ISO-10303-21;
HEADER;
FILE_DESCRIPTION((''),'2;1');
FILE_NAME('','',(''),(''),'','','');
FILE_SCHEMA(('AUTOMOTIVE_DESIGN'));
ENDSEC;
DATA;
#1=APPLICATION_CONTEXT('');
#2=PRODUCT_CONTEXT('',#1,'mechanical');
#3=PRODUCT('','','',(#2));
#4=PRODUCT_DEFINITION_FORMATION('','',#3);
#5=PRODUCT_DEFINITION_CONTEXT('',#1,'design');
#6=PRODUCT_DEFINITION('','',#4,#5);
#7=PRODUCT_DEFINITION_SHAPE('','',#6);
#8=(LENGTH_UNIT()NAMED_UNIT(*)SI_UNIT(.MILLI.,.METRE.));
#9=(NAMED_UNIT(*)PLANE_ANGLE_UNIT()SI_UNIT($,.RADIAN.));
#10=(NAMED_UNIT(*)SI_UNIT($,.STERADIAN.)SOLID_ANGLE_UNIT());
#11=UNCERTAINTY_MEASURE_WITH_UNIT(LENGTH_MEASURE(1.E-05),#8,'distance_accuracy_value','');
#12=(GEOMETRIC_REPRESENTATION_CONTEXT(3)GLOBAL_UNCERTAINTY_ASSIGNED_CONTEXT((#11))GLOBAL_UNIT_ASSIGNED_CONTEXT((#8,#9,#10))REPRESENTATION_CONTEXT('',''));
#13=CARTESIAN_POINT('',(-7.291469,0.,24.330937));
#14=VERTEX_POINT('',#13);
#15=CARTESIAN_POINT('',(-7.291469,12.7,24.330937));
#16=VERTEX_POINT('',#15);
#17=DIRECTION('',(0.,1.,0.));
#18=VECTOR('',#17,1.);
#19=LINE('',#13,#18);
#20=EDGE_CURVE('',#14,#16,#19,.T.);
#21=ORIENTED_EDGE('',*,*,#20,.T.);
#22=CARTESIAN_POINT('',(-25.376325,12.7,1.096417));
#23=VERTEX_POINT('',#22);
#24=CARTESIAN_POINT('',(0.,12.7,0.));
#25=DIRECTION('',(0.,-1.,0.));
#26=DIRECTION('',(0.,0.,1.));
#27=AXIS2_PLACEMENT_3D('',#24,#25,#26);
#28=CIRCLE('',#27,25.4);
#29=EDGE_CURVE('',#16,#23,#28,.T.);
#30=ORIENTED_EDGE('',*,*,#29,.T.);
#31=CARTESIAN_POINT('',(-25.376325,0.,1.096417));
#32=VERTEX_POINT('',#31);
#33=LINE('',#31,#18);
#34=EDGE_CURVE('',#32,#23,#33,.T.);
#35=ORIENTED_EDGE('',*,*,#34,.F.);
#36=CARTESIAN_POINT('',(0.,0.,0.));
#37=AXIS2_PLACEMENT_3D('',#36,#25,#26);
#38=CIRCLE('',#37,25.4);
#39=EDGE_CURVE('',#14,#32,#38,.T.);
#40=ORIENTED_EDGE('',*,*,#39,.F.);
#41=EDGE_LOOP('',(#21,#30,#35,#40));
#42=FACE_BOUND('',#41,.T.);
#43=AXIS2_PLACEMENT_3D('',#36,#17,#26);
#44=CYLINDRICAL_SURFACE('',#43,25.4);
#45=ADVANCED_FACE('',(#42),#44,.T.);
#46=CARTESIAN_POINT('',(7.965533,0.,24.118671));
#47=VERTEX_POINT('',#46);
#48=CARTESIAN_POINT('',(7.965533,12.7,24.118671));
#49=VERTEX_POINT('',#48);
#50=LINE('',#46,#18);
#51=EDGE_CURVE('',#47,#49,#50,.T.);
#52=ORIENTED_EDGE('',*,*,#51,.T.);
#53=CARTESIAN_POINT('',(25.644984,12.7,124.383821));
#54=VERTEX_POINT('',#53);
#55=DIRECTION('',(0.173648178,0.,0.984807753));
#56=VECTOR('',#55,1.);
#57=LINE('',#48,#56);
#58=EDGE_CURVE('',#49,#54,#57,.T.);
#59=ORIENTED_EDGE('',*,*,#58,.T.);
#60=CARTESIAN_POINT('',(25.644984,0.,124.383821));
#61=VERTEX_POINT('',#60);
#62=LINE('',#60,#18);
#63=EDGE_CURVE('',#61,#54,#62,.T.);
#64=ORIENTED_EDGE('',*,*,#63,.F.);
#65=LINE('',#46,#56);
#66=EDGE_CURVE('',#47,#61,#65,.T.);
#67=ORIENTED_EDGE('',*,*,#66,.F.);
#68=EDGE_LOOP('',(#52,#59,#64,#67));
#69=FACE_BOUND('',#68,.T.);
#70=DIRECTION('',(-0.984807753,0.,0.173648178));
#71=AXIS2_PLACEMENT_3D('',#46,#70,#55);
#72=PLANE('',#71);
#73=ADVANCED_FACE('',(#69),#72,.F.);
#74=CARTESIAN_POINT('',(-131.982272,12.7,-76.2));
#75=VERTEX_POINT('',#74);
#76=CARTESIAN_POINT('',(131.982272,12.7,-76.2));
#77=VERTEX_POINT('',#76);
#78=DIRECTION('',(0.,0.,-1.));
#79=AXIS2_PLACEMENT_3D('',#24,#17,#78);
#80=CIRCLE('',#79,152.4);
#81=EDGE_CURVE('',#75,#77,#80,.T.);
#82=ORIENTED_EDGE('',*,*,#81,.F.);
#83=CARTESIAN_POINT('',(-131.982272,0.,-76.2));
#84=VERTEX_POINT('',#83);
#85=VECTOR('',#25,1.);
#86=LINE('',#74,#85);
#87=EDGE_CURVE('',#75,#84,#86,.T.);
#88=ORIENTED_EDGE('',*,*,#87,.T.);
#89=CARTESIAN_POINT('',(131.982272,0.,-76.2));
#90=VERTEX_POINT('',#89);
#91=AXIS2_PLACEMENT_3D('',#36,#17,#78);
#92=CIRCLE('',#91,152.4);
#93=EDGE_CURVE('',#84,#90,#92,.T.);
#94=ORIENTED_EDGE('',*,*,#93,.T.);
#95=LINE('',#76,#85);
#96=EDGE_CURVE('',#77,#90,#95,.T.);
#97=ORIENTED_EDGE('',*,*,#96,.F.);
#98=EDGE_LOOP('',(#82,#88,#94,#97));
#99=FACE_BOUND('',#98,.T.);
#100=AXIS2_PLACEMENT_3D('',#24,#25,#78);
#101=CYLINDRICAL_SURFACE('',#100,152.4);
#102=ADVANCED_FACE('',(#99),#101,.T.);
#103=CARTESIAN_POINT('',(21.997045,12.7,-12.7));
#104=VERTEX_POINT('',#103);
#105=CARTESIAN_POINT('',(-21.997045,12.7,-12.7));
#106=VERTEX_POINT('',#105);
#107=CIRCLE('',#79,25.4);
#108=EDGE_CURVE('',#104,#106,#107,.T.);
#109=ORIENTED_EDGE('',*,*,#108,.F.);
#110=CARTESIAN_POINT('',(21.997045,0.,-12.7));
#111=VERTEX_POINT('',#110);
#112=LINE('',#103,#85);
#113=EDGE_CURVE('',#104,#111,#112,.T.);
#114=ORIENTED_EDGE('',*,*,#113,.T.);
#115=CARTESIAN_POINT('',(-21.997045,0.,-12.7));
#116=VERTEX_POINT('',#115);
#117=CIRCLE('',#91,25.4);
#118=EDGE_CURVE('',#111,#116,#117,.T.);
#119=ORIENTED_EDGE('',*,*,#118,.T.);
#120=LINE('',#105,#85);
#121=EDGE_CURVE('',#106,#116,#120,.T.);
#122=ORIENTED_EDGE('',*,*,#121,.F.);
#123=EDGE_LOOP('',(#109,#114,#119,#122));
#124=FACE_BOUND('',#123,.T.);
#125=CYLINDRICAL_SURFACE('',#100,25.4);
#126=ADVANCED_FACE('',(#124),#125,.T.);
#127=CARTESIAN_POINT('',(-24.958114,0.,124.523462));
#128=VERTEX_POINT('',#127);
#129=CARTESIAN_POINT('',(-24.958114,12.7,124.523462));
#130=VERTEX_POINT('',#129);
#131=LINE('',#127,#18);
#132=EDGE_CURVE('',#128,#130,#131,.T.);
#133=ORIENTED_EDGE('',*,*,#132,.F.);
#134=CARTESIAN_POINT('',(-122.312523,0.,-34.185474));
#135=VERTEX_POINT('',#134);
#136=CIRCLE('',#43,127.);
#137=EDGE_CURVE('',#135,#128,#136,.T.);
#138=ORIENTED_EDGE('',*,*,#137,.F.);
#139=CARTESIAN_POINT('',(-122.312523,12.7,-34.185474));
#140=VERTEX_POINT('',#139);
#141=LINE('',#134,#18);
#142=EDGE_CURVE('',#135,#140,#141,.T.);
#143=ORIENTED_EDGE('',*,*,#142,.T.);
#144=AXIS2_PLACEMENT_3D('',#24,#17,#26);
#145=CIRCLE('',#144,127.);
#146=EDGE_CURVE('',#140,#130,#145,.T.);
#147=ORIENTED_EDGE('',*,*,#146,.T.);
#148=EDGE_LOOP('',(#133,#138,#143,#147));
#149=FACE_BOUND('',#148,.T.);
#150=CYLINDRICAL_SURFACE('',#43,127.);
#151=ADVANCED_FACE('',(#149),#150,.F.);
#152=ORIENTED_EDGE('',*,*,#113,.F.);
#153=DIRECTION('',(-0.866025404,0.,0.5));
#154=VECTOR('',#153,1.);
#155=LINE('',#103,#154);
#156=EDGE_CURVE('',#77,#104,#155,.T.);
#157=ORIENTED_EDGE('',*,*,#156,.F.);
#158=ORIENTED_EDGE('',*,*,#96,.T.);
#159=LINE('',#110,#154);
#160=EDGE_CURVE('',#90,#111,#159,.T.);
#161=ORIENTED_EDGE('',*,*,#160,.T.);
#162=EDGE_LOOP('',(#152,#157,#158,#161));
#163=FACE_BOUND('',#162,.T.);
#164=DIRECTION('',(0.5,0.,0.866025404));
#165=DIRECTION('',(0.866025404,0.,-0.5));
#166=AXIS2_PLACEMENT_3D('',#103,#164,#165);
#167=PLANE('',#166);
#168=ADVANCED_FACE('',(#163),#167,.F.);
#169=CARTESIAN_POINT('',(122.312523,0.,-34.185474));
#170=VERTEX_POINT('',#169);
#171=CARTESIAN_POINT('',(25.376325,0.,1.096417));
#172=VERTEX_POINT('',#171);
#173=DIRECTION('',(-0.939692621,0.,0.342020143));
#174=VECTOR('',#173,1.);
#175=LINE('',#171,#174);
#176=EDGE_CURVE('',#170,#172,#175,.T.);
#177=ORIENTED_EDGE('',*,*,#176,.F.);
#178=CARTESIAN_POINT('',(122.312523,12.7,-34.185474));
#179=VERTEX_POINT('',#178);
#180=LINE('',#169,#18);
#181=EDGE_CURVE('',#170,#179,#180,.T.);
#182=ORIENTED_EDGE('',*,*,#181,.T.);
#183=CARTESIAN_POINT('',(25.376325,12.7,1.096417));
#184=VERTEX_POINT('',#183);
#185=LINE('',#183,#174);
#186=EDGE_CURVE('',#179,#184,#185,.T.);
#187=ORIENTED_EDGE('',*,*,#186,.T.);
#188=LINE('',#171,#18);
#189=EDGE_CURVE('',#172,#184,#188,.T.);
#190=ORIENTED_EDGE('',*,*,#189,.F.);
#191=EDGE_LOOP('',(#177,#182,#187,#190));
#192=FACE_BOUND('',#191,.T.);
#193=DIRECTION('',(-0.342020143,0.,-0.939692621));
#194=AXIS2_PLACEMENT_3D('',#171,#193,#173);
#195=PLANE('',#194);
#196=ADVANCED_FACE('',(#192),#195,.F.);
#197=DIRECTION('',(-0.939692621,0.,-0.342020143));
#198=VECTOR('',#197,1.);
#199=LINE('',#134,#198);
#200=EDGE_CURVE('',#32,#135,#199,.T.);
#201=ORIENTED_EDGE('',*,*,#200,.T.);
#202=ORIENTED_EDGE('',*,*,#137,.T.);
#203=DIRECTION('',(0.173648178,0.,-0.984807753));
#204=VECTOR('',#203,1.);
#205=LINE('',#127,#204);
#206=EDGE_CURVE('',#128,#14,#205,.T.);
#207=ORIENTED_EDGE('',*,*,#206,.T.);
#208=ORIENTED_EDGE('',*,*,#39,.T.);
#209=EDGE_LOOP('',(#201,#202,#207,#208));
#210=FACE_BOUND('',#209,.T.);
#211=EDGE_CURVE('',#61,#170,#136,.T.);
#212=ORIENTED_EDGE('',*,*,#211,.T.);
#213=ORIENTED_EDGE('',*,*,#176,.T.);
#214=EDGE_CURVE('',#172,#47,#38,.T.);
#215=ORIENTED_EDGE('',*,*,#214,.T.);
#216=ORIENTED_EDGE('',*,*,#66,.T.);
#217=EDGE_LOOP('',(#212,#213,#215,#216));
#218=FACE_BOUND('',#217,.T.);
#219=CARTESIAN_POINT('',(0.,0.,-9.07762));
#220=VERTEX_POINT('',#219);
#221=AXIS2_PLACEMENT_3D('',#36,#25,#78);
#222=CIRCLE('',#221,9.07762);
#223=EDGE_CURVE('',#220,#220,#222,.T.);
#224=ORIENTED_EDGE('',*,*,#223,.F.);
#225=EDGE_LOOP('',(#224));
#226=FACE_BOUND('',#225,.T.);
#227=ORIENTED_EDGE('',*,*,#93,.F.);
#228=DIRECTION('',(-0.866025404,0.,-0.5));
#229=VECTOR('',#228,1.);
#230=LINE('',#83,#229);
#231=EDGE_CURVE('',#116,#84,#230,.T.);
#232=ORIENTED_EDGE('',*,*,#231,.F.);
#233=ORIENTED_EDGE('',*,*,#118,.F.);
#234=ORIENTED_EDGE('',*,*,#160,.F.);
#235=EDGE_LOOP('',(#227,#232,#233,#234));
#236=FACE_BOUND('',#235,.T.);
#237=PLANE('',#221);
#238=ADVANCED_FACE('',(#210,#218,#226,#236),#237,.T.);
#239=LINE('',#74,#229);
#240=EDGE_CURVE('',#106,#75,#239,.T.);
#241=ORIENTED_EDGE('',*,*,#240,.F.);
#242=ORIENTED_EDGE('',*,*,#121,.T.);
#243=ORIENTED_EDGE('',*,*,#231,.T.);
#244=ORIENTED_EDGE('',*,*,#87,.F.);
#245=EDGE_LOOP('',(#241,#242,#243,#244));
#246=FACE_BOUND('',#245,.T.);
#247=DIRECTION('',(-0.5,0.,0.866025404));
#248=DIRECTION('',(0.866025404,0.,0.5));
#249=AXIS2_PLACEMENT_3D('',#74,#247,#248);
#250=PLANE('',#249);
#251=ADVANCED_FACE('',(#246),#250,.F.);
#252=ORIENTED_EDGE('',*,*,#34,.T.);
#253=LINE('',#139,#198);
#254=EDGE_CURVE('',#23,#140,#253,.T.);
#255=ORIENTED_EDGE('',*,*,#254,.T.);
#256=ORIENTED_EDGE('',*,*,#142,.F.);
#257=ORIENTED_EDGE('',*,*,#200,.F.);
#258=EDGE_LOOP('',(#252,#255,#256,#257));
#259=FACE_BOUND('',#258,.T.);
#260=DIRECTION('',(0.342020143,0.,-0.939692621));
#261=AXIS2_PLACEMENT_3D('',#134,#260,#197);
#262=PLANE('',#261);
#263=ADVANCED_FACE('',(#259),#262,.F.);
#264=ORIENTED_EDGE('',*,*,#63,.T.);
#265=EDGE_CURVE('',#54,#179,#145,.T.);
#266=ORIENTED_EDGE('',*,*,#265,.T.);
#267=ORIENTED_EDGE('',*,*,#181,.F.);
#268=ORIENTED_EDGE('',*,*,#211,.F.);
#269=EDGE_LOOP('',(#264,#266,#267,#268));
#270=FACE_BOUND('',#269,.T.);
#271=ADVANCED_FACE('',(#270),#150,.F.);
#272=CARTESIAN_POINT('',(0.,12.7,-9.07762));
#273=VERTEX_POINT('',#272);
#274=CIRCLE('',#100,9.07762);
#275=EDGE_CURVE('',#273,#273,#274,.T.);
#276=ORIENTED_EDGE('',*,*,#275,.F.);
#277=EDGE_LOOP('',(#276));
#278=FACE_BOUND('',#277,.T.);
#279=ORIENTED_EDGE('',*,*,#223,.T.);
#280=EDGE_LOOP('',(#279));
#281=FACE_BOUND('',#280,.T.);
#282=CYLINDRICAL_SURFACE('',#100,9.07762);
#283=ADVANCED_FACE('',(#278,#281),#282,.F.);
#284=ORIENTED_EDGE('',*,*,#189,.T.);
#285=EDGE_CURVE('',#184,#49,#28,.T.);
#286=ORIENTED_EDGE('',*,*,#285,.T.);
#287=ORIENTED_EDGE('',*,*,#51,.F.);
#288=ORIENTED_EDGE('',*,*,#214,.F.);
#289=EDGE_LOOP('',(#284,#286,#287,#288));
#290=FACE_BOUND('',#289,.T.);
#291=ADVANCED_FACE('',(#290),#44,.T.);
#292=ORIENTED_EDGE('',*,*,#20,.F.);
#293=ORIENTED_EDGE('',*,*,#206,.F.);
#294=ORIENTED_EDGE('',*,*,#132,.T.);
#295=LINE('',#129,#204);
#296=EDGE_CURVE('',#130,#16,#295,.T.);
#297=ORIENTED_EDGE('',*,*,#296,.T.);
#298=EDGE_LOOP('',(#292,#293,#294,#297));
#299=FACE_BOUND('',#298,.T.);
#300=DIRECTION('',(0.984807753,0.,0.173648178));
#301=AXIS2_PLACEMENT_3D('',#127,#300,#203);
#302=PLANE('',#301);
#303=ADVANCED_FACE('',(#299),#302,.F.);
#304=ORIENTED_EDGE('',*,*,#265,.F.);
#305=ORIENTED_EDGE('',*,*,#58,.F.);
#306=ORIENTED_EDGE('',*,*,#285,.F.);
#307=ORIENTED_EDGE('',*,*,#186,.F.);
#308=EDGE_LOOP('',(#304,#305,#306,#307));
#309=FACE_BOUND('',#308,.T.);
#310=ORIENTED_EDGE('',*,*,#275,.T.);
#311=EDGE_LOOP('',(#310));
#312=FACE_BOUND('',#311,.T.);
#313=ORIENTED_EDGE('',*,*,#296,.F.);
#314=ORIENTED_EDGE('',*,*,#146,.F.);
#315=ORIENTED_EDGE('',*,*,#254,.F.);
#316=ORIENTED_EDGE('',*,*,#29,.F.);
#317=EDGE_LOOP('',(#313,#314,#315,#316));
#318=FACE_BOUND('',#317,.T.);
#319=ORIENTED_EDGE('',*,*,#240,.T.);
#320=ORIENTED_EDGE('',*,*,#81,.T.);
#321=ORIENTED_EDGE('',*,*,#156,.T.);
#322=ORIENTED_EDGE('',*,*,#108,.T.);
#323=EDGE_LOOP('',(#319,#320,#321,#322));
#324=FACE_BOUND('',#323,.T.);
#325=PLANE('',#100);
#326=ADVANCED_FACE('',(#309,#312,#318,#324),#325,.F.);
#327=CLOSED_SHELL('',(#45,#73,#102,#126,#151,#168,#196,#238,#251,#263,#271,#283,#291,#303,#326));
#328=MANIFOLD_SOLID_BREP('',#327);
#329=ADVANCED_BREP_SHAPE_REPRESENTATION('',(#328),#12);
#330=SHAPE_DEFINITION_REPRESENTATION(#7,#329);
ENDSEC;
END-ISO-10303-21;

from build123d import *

# Parameters (mm, degrees)
EXTRUDE1_DEPTH = 12.7
EXTRUDE2_DEPTH = 216.9
SKETCH8_R      = 9.07761974
EXTRUDE3_DEPTH = 216.9


with BuildPart() as part:
    # Sketch1 → Extrude1 (new body)
    with BuildSketch(Plane(origin=(0, 0, 0), x_dir=(1, 0, 0), z_dir=(0, 1, 0))):
        with BuildLine():
            Line((-131.982271537, 76.2), (-21.997045256, 12.7))
            ThreePointArc((-21.997045256, 12.7), (0, 25.4), (21.997045256, 12.7))
            Line((21.997045256, 12.7), (131.982271537, 76.2))
            ThreePointArc((131.982271537, 76.2), (0, -152.4), (-131.982271537, 76.2))
        make_face()
    extrude(amount=EXTRUDE1_DEPTH)

    # Sketch2 → Extrude2 (cut, through all)
    with BuildSketch(Plane(origin=(0, 12.7, 0), x_dir=(1, 0, 0), z_dir=(0, 1, 0))):
        with BuildLine():
            Line((-122.312523376, 34.185473895), (-25.376324988, -1.096416941))
            ThreePointArc((-25.376324988, -1.096416941), (-20.043874739, -15.601380882), (-7.29146874, -24.33093676))
            Line((-7.29146874, -24.33093676), (-24.958114169, -124.523461794))
            ThreePointArc((-24.958114169, -124.523461794), (-108.255677623, -66.405634267), (-122.312523376, 34.185473895))
        make_face()
        with BuildLine():
            Line((25.376324988, -1.096416941), (122.312523376, 34.185473895))
            ThreePointArc((122.312523376, 34.185473895), (108.43851372, -66.106646732), (25.644983679, -124.38382054))
            Line((25.644983679, -124.38382054), (7.965532589, -24.118670995))
            ThreePointArc((7.965532589, -24.118670995), (20.258971151, -15.321034165), (25.376324988, -1.096416941))
        make_face()
    extrude(amount=-EXTRUDE2_DEPTH, mode=Mode.SUBTRACT)

    # Sketch8 → Extrude3 (cut, through all)
    with BuildSketch(Plane.XZ):
        with Locations(Location((0, 0, 0), (0, 0, 270))):
            Circle(SKETCH8_R)
    extrude(amount=-EXTRUDE3_DEPTH, mode=Mode.SUBTRACT)


solid = part.part
